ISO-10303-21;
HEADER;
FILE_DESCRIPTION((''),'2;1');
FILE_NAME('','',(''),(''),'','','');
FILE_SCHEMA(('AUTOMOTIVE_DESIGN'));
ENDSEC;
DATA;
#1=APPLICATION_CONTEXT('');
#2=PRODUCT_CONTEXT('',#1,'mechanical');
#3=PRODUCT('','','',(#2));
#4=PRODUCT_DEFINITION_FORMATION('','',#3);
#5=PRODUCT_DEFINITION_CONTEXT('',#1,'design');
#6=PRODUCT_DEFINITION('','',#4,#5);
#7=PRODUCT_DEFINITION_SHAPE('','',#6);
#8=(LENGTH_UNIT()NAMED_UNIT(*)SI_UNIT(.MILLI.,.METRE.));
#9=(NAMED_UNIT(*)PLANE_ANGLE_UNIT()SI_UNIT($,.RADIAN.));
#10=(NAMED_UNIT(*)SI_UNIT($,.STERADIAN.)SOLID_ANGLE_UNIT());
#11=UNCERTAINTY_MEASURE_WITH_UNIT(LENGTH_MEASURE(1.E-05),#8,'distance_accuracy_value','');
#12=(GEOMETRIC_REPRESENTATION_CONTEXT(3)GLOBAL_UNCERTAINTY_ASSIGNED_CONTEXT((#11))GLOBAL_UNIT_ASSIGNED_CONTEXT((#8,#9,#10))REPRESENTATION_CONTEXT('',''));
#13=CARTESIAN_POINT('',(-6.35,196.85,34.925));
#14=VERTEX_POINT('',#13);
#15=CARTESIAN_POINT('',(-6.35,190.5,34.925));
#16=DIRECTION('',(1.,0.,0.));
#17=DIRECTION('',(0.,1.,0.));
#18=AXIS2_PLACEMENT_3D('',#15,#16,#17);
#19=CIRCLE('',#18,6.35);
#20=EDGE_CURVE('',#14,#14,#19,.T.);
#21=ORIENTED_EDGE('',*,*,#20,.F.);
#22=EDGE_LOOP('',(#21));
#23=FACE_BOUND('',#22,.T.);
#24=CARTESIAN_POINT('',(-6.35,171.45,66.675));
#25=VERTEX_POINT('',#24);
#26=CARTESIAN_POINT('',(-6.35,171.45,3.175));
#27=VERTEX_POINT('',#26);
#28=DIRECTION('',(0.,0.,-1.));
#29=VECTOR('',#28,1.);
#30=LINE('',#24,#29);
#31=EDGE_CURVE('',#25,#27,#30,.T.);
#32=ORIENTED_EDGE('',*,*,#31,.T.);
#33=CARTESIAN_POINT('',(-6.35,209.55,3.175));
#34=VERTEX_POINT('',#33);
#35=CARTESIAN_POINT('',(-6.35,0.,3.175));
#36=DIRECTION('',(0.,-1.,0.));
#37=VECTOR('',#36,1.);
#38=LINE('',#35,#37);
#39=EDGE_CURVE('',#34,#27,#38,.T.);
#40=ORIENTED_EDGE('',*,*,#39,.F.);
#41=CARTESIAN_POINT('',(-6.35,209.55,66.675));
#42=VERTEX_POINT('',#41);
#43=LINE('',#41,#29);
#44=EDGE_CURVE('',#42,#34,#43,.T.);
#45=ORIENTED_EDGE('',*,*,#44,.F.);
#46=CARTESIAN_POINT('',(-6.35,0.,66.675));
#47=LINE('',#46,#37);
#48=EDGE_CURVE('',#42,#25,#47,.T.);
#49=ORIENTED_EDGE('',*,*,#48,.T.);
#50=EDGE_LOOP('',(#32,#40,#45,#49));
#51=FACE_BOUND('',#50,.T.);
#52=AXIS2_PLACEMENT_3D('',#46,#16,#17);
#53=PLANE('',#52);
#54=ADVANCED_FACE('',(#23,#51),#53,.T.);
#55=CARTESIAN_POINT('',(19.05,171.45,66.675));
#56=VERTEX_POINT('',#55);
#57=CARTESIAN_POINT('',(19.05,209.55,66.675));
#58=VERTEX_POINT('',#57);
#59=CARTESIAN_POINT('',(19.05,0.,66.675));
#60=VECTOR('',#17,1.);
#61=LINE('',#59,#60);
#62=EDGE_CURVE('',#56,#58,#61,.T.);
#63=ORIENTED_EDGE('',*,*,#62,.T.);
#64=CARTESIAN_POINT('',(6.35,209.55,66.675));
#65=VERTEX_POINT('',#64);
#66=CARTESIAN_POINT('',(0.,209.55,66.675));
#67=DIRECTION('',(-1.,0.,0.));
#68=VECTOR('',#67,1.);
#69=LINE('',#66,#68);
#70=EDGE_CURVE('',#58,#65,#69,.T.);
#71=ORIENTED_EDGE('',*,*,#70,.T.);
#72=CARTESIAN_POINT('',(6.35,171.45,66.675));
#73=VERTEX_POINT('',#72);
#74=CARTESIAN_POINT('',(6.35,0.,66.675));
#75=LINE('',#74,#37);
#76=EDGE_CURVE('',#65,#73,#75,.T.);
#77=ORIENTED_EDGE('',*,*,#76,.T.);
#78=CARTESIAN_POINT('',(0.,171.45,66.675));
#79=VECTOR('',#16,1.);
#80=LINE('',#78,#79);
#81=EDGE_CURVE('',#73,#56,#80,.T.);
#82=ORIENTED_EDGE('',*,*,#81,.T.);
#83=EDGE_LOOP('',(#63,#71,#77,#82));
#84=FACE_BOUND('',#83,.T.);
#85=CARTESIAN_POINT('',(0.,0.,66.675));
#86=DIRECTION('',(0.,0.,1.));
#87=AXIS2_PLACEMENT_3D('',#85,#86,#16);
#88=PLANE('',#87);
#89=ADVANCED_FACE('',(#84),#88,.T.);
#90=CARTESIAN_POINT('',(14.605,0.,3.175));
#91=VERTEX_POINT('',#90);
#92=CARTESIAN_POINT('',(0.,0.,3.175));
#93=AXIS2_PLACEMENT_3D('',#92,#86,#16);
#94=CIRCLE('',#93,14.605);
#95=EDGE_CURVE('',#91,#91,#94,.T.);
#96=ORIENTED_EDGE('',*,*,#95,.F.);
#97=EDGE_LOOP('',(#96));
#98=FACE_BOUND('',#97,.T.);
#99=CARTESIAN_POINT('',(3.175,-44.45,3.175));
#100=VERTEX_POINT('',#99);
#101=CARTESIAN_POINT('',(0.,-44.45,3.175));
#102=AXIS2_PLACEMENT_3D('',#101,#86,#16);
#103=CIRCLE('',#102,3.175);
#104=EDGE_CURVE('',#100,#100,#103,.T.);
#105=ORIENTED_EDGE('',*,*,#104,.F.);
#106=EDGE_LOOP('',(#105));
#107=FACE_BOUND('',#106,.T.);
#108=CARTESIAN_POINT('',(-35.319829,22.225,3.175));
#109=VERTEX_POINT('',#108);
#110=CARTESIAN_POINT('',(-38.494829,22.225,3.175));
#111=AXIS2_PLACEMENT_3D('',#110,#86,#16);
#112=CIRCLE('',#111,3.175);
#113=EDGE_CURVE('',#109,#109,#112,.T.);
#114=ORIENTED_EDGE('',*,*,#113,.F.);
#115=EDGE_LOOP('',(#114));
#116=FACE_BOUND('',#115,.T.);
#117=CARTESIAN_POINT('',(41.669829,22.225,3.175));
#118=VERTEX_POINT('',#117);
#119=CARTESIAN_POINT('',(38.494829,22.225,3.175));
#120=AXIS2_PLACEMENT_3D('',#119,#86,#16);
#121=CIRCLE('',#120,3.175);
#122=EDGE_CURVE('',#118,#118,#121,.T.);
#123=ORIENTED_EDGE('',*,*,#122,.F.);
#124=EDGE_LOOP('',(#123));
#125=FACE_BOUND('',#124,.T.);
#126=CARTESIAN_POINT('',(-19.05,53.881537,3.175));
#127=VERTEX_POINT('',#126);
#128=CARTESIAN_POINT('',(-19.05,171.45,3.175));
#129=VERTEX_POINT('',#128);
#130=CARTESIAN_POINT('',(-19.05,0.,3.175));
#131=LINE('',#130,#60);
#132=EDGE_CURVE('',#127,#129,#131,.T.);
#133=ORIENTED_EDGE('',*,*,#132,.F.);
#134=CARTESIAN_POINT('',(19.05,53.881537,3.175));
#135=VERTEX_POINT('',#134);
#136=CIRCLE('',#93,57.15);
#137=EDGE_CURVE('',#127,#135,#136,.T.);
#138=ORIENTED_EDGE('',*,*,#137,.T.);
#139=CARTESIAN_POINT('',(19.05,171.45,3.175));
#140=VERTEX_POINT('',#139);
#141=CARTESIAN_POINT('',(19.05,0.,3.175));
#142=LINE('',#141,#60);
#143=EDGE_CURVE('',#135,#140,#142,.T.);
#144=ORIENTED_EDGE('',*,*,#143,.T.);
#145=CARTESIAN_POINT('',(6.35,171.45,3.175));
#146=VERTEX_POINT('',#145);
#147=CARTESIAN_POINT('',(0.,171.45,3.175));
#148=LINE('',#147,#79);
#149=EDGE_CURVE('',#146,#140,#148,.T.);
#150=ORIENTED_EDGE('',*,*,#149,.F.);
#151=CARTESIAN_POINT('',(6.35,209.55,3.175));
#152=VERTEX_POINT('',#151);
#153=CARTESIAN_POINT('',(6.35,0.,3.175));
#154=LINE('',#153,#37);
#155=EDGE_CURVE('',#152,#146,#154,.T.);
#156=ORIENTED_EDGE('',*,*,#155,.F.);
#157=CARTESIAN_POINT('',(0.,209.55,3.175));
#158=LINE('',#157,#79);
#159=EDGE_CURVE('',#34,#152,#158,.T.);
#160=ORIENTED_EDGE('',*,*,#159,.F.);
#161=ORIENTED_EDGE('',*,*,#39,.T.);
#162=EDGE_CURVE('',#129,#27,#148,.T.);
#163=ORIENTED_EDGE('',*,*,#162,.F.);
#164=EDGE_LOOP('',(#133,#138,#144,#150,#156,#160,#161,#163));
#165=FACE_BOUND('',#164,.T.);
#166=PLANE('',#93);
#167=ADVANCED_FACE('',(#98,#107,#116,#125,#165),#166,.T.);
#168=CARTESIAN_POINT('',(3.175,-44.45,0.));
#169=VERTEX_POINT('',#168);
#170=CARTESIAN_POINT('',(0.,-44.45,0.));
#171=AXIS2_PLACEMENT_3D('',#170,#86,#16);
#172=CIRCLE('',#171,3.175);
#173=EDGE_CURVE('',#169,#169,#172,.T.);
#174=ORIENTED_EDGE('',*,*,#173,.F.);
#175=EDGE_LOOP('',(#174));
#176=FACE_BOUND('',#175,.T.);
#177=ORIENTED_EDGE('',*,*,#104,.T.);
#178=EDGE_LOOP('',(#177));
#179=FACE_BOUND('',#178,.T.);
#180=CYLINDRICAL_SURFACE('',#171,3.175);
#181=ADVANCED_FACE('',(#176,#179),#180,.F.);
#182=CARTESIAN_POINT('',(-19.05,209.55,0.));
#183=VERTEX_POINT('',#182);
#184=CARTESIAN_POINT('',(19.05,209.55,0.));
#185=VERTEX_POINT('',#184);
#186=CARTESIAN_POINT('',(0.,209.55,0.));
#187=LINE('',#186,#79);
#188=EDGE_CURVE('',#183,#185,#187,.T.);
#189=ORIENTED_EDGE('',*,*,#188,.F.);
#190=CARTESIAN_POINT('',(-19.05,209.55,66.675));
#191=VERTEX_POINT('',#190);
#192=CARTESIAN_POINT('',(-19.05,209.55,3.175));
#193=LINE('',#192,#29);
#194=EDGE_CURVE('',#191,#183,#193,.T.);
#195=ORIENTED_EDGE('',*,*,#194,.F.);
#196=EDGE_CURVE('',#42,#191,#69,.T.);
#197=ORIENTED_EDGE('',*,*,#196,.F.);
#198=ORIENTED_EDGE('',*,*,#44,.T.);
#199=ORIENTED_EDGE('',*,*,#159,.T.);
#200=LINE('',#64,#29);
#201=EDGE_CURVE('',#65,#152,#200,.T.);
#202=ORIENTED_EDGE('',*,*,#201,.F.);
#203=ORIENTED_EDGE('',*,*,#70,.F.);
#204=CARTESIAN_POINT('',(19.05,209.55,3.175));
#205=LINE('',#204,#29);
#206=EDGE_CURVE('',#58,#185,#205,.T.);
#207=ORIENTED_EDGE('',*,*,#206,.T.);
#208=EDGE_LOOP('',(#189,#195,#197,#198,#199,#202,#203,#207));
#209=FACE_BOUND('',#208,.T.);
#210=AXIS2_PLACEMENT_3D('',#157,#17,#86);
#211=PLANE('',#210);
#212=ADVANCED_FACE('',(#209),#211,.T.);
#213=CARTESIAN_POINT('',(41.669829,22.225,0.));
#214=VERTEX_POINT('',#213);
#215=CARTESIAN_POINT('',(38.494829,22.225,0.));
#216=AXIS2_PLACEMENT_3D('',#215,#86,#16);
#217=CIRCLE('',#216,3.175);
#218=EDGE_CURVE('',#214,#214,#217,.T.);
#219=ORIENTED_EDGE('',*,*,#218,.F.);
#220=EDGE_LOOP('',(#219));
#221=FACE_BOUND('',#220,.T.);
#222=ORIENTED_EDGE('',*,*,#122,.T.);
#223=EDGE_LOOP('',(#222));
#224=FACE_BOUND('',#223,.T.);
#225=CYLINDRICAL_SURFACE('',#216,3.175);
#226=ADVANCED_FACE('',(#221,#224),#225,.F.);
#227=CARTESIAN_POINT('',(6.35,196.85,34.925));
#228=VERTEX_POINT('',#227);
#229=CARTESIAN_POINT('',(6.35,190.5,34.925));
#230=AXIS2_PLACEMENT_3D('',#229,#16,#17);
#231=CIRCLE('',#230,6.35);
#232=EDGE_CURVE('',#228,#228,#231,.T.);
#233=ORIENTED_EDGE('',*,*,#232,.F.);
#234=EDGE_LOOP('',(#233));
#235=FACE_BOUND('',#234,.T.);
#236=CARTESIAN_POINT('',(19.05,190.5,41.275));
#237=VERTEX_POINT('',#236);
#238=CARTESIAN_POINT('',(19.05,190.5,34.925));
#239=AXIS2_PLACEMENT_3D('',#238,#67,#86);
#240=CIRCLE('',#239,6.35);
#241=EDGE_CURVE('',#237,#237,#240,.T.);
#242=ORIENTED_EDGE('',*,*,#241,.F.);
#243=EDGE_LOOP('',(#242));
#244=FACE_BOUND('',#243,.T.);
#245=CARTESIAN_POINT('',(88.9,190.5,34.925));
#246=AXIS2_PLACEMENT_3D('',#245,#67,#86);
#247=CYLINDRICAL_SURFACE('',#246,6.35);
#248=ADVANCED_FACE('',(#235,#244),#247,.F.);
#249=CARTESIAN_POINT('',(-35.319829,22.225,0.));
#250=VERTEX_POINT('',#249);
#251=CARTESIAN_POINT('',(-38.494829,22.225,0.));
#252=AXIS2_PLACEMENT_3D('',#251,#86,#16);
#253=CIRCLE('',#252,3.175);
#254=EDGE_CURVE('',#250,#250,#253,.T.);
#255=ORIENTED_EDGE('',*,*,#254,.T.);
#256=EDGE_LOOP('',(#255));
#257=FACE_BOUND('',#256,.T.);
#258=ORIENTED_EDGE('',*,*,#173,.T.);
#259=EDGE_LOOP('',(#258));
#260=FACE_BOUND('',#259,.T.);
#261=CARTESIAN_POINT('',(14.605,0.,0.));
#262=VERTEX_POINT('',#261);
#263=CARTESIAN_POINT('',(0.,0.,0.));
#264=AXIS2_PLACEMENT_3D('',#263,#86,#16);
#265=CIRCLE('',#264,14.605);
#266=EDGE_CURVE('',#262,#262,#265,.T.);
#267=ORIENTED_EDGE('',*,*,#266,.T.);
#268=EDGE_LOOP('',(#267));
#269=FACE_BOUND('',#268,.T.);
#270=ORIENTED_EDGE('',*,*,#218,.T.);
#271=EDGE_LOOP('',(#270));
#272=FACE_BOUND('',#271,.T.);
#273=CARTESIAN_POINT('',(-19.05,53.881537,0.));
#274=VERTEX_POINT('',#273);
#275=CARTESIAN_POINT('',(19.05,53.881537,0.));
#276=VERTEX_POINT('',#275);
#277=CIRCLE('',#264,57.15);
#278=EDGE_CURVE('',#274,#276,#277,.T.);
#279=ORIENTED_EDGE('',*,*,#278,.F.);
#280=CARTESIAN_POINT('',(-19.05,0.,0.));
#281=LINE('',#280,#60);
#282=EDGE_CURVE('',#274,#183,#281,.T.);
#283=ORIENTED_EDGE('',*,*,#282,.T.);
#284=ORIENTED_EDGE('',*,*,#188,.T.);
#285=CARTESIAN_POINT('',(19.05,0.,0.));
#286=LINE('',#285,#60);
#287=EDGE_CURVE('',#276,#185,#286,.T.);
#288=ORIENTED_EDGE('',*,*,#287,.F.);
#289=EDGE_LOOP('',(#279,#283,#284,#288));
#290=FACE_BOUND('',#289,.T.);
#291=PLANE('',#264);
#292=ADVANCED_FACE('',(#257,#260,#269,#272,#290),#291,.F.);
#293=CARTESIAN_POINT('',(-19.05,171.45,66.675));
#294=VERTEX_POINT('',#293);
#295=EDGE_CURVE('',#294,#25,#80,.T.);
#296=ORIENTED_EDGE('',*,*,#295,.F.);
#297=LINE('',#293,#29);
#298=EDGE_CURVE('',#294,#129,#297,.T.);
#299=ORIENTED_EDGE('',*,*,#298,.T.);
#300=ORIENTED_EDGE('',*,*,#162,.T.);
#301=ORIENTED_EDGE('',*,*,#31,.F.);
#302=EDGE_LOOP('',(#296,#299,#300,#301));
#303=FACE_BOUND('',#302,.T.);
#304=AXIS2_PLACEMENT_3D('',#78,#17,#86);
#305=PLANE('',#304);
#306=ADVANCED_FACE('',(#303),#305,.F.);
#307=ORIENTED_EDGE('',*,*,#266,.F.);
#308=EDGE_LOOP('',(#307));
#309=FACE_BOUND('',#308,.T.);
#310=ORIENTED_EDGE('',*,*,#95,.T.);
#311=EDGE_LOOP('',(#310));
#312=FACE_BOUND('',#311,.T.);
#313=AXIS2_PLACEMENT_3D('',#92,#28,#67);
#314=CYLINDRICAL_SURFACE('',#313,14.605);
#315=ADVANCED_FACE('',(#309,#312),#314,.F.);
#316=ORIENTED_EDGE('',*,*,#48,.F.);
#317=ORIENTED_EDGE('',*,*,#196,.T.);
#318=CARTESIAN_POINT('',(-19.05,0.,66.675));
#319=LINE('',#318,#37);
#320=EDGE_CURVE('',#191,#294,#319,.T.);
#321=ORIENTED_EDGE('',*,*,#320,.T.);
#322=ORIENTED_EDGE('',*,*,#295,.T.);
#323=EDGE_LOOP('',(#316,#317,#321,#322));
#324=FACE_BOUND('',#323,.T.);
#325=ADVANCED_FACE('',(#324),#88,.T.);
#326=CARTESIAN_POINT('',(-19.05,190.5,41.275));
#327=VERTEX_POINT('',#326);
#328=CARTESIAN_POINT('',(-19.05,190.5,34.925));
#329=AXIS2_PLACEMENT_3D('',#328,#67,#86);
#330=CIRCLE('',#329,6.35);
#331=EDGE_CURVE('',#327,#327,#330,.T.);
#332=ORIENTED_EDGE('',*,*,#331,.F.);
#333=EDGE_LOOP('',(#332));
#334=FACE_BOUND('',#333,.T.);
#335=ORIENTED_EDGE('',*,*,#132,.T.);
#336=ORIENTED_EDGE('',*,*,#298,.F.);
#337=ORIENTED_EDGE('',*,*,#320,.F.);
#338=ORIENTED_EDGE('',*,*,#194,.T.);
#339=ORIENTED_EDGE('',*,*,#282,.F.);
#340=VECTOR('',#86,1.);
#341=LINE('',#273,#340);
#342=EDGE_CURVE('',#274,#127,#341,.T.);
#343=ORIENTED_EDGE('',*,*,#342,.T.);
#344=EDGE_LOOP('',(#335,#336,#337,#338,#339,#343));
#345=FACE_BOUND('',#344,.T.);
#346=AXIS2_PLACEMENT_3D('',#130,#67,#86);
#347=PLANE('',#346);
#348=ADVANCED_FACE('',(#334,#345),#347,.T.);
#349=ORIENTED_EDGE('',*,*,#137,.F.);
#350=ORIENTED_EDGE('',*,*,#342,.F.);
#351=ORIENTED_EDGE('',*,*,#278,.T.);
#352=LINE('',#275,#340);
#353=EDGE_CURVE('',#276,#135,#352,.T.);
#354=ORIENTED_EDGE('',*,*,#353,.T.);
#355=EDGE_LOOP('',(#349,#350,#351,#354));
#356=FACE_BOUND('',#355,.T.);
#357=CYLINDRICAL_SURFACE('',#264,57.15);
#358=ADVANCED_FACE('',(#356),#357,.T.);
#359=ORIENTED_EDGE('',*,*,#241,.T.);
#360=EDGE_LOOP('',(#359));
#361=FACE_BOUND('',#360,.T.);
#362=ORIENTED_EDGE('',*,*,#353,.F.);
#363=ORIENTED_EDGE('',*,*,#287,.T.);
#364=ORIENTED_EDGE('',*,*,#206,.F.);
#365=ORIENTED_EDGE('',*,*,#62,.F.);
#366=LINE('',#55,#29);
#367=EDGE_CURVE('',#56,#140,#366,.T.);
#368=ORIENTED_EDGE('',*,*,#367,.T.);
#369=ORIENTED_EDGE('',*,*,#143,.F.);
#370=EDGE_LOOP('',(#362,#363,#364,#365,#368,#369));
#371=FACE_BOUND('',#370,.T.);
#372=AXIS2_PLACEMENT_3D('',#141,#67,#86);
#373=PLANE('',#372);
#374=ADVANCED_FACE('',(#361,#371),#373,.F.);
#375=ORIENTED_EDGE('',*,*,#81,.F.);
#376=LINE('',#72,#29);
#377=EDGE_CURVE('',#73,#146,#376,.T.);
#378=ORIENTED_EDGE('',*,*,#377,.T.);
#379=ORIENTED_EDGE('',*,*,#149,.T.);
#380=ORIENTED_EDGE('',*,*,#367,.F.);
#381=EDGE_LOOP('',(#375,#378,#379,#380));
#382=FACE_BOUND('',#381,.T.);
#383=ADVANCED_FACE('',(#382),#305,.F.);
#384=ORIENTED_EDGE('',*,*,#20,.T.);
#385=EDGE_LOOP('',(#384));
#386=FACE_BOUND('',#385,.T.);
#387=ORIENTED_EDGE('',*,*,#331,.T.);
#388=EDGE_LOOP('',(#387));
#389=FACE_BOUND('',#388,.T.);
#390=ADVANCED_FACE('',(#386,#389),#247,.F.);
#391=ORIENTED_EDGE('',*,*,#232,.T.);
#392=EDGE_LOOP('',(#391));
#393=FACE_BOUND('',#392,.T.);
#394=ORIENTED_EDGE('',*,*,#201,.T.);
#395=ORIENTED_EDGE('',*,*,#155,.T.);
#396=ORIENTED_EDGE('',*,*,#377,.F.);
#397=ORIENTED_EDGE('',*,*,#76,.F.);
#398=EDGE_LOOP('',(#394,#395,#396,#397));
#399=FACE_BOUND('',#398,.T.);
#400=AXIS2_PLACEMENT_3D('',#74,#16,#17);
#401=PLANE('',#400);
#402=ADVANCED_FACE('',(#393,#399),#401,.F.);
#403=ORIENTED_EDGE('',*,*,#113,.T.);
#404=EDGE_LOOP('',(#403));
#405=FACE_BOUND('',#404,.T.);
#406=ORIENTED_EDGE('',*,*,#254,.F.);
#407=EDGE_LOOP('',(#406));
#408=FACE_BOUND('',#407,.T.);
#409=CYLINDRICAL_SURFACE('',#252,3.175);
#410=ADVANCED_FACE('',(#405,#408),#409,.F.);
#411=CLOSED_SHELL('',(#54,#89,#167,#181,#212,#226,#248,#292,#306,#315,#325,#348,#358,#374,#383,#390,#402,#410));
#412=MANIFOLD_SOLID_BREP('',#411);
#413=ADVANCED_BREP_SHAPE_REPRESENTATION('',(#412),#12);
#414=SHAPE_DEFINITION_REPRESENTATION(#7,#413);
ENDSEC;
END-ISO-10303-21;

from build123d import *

# Parameters (mm, degrees)
SKETCH1_R           = 14.605
BOSS_EXTRUDE1_DEPTH = 3.175
SKETCH2_R           = 3.175
CUT_EXTRUDE1_DEPTH  = 228.649935482
SKETCH2_3_W         = 12.7
SKETCH2_3_H         = 38.1
BOSS_EXTRUDE2_DEPTH = 63.5
SKETCH3_R           = 6.35
CUT_EXTRUDE2_DEPTH  = 245.969305475
CUT_EXTRUDE3_DEPTH  = 237.318984637


with BuildPart() as part:
    # Sketch1 → Boss-Extrude1 (new body)
    with BuildSketch(Plane.XY):
        Polygon((-19.05, 88.9), (-88.9, 88.9), (-88.9, -88.9), (88.9, -88.9), (88.9, 88.9), (19.05, 88.9), (19.05, 209.55), (-19.05, 209.55), align=None)
        Circle(SKETCH1_R, mode=Mode.SUBTRACT)
    extrude(amount=BOSS_EXTRUDE1_DEPTH)

    # Sketch2 → Cut-Extrude1 (cut, through all)
    with BuildSketch(Plane.XY.offset(3.175)):
        with Locations((-38.494829198, 22.225)):
            Circle(SKETCH2_R)
        with Locations((0, -44.45)):
            Circle(SKETCH2_R)
        with Locations((38.494829198, 22.225)):
            Circle(SKETCH2_R)
    extrude(amount=-CUT_EXTRUDE1_DEPTH, mode=Mode.SUBTRACT)

    # Sketch2<3> → Boss-Extrude2 (add)
    with BuildSketch(Plane.XY.offset(3.175)):
        with Locations((-12.7, 190.5)):
            Rectangle(SKETCH2_3_W, SKETCH2_3_H)
        with Locations((12.7, 190.5)):
            Rectangle(SKETCH2_3_W, SKETCH2_3_H)
    extrude(amount=BOSS_EXTRUDE2_DEPTH)

    # Sketch3 → Cut-Extrude2 (cut, through all)
    with BuildSketch(Plane.ZY.offset(19.05)):
        with Locations((34.925, 190.5)):
            Circle(SKETCH3_R)
    extrude(amount=-CUT_EXTRUDE2_DEPTH, mode=Mode.SUBTRACT)

    # Sketch4 → Cut-Extrude3 (cut, through all)
    with BuildSketch(Plane.XY.offset(3.175)):
        with BuildLine():
            Line((-19.05, 53.881536726), (-19.05, 88.9))
            Line((-19.05, 88.9), (-88.9, 88.9))
            Line((-88.9, 88.9), (-88.9, -88.9))
            Line((-88.9, -88.9), (88.9, -88.9))
            Line((88.9, -88.9), (88.9, 88.9))
            Line((88.9, 88.9), (19.05, 88.9))
            Line((19.05, 88.9), (19.05, 53.881536726))
            ThreePointArc((19.05, 53.881536726), (46.6627796, 32.995567884), (57.15, 0))
            ThreePointArc((57.15, 0), (-32.995567884, -46.6627796), (-19.05, 53.881536726))
        make_face()
    extrude(amount=-CUT_EXTRUDE3_DEPTH, mode=Mode.SUBTRACT)


solid = part.part
